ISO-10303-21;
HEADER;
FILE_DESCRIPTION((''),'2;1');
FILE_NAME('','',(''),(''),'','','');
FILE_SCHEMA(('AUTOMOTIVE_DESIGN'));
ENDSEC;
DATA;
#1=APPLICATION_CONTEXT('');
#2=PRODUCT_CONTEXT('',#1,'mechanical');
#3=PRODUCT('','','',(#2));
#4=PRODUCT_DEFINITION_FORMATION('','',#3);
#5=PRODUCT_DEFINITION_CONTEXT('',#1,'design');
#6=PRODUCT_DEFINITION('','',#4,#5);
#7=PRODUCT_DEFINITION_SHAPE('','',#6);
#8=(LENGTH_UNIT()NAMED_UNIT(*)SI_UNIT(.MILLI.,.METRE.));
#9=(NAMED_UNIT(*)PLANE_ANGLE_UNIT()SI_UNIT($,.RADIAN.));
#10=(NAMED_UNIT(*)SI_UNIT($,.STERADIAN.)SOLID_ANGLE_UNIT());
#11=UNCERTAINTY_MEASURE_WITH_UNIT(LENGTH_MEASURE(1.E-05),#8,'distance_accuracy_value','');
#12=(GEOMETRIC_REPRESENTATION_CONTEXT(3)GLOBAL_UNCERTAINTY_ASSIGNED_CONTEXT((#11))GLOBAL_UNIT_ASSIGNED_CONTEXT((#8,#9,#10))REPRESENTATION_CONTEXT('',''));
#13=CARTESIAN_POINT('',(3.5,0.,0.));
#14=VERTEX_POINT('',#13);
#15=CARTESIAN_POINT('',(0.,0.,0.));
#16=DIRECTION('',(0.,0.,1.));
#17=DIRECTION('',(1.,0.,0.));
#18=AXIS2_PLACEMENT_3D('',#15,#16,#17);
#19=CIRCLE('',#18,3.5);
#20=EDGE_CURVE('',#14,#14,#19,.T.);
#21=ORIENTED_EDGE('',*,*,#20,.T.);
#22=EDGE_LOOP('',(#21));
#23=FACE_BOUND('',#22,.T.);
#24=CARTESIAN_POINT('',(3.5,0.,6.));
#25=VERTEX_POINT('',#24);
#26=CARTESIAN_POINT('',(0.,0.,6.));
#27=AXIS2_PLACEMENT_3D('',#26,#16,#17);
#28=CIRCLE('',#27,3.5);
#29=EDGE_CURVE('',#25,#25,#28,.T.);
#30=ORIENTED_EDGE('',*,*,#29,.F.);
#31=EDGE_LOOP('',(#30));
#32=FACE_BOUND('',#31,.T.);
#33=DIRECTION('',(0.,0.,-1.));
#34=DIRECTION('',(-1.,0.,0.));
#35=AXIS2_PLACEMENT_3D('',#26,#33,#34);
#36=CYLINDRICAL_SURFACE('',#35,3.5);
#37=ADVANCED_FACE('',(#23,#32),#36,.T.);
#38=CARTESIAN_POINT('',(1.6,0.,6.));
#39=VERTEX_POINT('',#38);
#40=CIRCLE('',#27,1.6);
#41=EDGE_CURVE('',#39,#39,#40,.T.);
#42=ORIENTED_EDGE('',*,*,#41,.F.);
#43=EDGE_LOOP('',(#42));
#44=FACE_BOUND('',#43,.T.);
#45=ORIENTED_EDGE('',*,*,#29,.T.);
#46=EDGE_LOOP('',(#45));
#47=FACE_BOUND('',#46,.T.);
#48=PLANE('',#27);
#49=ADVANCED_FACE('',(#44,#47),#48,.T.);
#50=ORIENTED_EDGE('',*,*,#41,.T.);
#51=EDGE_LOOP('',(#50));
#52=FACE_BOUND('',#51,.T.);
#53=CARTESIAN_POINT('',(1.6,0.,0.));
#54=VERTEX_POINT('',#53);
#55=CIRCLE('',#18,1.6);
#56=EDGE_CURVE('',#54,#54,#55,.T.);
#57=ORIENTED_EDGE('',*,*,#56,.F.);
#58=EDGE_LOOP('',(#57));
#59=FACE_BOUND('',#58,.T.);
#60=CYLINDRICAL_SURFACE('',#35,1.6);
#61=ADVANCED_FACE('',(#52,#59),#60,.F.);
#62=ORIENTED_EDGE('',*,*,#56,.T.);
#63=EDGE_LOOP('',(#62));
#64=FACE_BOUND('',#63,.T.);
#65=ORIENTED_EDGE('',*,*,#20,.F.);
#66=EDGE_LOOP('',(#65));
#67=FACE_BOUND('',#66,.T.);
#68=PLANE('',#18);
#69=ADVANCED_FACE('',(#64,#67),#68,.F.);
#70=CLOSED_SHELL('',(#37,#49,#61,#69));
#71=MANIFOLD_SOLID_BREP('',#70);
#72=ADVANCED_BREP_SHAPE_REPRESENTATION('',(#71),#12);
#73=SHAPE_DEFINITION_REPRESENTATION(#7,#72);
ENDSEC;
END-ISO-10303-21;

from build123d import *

# Parameters (mm, degrees)
CROQUIS1_R              = 3.5
CROQUIS1_R_2            = 1.6
SALIENTE_EXTRUIR1_DEPTH = 6


with BuildPart() as part:
    # Croquis1 → Saliente-Extruir1 (new body)
    with BuildSketch(Plane.XY):
        Circle(CROQUIS1_R)
        Circle(CROQUIS1_R_2, mode=Mode.SUBTRACT)
    extrude(amount=SALIENTE_EXTRUIR1_DEPTH)


solid = part.part
